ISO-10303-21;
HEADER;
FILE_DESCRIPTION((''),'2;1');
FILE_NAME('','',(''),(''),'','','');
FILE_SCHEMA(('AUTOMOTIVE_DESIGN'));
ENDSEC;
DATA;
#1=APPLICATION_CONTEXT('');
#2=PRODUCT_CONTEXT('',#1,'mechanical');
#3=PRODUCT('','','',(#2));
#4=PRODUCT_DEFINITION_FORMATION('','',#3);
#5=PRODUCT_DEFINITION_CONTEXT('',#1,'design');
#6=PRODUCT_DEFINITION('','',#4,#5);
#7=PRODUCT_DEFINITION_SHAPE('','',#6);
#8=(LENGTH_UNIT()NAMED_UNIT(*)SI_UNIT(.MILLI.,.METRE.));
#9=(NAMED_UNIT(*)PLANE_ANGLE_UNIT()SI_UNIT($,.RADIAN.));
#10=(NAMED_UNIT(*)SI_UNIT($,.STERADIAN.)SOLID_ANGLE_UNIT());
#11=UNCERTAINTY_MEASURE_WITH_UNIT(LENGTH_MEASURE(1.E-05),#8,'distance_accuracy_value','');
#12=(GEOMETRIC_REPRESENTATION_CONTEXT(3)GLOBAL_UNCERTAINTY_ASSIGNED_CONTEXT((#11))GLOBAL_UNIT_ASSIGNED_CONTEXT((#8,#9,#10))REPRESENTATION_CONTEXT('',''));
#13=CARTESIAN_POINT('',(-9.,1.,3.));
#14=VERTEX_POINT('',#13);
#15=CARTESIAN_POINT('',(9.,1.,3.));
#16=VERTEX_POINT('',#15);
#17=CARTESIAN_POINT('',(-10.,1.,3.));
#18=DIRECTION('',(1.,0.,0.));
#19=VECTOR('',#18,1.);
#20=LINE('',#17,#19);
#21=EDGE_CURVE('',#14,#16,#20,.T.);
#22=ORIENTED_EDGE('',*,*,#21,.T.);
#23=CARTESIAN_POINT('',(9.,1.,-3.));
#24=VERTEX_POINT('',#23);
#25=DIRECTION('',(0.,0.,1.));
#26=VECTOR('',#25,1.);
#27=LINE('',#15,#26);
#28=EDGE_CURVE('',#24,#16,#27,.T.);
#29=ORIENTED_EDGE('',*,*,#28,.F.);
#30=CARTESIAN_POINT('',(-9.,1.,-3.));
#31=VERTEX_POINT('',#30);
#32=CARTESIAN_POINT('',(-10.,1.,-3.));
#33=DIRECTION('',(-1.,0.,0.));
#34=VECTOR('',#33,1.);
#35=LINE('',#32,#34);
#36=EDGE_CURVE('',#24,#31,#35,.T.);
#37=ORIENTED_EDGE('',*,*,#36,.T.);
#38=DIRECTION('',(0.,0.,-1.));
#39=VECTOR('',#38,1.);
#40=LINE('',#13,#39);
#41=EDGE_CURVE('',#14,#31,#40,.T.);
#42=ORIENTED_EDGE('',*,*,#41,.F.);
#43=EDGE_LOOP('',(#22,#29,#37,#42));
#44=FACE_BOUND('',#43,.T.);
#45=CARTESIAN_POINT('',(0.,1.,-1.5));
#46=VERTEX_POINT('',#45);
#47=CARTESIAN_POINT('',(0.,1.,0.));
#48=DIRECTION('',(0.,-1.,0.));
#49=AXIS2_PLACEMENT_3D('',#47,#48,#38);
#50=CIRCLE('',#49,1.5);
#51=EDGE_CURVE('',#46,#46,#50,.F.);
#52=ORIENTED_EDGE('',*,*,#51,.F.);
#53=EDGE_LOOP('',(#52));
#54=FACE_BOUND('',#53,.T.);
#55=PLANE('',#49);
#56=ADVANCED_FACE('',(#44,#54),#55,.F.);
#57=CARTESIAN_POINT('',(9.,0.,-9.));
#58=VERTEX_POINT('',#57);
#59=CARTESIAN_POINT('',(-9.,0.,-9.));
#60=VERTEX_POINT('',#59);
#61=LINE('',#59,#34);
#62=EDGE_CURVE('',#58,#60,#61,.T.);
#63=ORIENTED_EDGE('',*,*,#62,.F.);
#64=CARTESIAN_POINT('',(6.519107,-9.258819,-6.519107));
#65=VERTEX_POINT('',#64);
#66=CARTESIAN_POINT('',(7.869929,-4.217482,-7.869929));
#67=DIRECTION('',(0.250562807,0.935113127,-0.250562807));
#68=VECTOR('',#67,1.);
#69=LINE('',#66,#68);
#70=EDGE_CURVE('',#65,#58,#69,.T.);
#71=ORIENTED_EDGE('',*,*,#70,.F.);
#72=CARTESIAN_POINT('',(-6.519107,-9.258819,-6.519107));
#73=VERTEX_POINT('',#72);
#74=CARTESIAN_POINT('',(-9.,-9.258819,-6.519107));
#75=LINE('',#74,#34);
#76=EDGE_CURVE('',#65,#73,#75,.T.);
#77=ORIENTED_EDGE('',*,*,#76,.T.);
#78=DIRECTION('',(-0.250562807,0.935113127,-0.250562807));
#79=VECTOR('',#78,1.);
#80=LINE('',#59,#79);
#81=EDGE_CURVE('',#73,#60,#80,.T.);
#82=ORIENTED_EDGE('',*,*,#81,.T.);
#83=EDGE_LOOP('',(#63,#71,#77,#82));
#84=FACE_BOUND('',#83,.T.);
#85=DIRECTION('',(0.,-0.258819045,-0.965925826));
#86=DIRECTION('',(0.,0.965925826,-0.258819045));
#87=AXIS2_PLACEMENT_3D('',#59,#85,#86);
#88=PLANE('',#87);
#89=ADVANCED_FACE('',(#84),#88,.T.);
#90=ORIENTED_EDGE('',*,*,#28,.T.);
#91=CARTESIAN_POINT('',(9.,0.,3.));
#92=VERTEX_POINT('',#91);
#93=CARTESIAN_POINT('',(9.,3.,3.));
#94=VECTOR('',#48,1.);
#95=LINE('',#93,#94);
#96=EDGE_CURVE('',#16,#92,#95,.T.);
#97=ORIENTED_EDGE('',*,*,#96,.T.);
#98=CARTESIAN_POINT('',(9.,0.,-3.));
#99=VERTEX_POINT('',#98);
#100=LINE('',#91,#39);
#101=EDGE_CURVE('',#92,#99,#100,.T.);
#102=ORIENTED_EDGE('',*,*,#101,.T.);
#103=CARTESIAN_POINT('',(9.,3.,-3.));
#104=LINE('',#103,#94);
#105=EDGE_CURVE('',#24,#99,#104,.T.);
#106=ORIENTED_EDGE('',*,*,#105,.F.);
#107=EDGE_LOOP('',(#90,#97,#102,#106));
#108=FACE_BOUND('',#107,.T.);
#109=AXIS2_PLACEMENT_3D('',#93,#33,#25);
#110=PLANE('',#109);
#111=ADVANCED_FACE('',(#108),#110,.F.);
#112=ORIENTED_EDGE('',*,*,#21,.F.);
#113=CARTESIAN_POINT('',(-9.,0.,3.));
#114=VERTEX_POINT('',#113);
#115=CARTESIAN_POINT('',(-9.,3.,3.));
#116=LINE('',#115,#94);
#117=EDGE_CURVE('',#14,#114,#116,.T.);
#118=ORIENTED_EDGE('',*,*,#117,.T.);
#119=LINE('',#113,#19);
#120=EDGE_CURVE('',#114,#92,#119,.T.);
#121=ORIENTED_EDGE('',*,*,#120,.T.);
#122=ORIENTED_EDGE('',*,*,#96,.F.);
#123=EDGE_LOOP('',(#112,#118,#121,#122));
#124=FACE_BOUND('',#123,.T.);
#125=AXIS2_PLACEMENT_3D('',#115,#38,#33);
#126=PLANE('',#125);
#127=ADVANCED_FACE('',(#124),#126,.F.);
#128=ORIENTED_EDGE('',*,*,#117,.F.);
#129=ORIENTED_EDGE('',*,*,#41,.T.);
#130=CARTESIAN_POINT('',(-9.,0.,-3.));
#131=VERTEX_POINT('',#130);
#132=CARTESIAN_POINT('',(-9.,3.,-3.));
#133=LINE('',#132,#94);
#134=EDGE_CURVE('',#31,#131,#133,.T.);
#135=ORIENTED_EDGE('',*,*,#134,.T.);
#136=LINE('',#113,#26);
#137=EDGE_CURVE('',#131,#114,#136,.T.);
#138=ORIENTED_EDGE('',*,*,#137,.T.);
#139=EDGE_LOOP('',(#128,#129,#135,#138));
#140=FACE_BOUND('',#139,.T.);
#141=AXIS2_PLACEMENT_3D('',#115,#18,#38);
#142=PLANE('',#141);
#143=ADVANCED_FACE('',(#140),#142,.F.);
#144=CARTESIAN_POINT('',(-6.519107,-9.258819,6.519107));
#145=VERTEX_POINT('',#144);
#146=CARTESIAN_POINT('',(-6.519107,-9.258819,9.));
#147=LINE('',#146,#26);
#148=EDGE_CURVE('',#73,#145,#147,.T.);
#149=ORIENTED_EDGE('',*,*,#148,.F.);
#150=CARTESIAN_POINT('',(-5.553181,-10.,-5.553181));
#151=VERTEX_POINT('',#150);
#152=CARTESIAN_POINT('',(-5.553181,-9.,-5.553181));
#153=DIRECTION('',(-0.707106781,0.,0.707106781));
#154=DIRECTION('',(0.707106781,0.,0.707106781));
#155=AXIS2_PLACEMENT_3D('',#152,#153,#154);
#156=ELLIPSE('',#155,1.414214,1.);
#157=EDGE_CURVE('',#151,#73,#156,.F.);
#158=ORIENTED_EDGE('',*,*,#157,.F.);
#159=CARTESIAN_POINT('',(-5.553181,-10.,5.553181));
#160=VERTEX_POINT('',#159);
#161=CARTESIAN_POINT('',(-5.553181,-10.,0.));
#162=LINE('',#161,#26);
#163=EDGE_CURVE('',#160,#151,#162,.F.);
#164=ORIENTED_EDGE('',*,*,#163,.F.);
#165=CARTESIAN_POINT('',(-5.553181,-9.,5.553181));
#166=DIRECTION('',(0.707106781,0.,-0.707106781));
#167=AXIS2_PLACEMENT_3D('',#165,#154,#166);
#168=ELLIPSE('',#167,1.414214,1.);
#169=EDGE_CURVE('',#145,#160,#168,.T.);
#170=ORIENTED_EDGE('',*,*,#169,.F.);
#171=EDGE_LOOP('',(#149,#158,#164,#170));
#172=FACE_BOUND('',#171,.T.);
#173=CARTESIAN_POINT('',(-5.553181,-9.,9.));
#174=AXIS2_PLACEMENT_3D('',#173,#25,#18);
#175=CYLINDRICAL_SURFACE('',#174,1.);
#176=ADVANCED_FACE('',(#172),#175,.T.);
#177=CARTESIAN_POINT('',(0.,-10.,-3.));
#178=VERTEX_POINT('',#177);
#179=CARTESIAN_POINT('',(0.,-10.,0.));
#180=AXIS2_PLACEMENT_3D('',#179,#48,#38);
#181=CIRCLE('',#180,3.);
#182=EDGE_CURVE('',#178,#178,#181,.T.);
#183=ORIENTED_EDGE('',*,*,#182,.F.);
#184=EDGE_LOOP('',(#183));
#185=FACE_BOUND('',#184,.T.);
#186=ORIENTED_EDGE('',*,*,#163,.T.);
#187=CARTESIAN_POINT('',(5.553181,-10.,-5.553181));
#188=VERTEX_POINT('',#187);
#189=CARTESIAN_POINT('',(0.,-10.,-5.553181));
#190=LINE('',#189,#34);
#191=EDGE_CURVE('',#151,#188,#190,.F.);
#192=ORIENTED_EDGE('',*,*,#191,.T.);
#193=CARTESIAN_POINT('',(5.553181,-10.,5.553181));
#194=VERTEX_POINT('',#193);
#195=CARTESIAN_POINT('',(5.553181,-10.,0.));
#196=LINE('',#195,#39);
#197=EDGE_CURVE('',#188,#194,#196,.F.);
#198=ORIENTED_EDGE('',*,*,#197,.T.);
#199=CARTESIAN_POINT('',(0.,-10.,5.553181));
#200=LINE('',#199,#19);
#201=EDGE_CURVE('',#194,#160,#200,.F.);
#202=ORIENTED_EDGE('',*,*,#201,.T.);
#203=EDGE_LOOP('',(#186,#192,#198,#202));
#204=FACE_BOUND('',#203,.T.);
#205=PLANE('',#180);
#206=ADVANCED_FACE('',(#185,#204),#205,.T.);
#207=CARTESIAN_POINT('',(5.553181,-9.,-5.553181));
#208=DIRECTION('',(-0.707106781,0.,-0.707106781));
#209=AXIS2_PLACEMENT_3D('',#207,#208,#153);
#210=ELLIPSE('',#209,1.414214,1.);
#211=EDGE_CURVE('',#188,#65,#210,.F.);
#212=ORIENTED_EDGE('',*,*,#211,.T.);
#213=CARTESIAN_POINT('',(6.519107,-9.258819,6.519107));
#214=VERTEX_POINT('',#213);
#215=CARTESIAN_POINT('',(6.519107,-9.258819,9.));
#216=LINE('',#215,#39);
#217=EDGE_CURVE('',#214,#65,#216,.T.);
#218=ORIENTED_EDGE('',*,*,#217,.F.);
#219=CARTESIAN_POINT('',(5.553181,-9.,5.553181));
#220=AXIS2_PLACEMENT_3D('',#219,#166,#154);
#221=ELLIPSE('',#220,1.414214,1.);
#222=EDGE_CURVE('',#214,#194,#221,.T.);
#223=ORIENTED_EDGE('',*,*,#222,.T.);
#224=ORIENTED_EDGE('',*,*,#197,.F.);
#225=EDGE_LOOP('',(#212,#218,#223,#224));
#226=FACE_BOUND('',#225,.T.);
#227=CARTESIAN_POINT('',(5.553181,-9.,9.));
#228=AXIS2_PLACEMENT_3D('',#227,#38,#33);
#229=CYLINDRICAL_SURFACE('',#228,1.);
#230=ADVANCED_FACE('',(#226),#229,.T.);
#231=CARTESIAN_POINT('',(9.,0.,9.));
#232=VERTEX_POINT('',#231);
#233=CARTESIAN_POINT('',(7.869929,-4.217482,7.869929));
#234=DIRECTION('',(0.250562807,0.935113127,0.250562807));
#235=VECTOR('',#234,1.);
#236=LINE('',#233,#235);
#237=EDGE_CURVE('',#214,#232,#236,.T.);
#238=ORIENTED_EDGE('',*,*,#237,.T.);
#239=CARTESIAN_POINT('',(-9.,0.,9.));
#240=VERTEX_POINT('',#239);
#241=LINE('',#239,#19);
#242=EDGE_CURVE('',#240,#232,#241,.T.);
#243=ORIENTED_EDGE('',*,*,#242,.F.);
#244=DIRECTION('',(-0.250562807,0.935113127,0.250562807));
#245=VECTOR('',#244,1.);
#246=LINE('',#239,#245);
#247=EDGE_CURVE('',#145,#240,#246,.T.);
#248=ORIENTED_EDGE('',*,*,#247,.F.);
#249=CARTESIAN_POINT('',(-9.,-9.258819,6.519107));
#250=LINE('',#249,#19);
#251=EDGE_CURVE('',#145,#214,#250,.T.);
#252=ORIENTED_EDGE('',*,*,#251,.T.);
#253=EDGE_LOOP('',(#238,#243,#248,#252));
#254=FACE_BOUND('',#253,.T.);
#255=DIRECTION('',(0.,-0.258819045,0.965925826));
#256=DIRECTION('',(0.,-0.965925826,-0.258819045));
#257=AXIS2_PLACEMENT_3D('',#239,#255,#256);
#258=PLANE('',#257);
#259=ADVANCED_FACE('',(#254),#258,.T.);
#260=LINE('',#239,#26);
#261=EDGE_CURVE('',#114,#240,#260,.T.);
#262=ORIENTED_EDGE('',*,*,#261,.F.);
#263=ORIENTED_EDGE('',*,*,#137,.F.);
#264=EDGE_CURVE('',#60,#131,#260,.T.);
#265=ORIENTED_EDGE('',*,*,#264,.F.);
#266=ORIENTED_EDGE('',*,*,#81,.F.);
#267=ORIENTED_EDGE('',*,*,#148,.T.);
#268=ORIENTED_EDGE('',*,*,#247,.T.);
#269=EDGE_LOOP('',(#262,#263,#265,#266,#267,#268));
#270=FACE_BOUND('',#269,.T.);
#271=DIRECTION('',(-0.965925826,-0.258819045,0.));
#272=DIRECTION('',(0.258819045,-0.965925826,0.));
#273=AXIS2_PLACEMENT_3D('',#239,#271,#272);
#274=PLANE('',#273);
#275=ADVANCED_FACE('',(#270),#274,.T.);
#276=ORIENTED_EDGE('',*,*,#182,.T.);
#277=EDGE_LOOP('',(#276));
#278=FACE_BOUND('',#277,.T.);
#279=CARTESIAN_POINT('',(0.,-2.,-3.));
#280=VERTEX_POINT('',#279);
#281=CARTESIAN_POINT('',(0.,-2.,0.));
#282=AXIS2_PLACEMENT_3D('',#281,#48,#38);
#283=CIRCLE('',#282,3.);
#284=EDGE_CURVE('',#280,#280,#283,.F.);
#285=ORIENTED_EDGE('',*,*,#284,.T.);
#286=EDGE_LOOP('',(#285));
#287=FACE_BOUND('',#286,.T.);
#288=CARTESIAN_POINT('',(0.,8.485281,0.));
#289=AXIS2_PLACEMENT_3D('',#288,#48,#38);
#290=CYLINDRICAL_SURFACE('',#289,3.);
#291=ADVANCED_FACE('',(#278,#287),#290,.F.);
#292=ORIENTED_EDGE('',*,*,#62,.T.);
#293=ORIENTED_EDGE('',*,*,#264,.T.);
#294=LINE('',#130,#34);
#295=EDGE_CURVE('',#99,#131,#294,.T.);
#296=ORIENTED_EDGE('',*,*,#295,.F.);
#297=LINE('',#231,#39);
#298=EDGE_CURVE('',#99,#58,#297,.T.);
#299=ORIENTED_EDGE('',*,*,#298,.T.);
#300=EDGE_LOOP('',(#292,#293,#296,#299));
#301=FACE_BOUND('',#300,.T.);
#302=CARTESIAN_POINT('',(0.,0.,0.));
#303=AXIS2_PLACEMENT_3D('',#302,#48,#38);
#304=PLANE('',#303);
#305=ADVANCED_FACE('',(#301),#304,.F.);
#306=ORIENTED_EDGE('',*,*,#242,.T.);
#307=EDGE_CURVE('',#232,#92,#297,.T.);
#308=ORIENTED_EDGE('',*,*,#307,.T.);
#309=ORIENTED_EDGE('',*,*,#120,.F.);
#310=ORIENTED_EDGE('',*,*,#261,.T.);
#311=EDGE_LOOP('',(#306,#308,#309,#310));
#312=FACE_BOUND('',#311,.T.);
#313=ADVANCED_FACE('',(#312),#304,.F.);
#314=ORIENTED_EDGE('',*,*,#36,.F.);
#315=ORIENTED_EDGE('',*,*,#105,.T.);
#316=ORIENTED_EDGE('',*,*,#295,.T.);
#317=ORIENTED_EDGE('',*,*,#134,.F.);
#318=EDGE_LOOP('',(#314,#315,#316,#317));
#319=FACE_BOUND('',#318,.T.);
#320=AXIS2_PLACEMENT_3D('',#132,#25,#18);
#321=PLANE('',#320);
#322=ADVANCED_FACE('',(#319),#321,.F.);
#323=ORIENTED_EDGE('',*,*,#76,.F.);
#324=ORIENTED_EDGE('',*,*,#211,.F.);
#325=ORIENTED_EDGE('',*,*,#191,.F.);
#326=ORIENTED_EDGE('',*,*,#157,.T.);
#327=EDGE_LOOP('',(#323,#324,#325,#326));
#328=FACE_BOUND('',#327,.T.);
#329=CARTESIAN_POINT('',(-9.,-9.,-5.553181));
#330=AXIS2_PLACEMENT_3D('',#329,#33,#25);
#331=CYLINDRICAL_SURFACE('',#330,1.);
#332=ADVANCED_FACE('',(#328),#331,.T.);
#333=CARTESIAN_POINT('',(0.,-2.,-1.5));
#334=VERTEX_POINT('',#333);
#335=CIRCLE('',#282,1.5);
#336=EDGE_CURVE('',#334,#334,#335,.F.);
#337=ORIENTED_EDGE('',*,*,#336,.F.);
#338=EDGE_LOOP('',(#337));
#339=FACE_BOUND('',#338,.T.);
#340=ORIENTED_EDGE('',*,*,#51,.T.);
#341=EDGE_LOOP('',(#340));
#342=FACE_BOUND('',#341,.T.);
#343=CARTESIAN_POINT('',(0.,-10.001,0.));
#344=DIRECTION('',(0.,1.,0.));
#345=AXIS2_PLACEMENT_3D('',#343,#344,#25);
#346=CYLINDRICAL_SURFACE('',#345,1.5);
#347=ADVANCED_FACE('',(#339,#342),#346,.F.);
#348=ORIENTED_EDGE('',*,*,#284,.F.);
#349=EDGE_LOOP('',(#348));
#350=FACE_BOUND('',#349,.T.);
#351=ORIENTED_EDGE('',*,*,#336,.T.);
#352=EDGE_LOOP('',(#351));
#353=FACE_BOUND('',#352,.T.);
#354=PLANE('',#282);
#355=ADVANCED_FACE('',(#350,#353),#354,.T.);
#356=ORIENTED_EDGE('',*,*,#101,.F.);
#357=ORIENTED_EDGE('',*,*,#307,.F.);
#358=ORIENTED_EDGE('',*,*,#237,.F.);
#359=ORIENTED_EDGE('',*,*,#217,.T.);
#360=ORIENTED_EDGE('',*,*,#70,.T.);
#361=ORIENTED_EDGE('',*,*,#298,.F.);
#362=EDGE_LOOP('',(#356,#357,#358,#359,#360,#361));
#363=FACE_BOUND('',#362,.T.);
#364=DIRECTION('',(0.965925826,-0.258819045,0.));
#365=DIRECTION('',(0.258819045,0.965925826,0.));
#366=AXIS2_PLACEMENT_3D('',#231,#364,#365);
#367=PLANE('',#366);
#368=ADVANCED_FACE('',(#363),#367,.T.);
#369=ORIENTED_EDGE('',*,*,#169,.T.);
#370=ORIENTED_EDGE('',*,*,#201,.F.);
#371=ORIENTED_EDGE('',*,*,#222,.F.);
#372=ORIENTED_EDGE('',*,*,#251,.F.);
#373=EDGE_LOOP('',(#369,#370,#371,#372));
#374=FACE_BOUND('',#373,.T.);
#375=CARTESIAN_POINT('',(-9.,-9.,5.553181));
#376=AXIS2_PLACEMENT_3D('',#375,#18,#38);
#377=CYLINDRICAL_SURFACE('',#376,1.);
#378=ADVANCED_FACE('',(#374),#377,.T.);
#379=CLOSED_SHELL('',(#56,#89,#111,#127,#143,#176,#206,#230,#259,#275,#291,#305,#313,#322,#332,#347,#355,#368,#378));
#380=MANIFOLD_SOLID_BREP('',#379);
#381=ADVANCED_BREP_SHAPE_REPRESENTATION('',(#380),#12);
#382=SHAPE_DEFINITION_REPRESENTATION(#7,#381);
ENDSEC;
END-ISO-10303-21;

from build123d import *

# Parameters (mm, degrees)
SKETCH1_W           = 18
SKETCH1_H           = 18
BOSS_EXTRUDE1_DEPTH = 10
BOSS_EXTRUDE1_TAPER = 15
SKETCH5_W           = 18
SKETCH5_H           = 6
BOSS_EXTRUDE3_DEPTH = 3
FILLET2_R           = 1
CUT_EXTRUDE3_REACH  = 15
SKETCH6_R           = 1.5
SKETCH7_R           = 3
CUT_EXTRUDE4_DEPTH  = 8
SKETCH9_W           = 20
SKETCH9_H           = 6
CUT_EXTRUDE5_DEPTH  = 2
FILLET4_R           = 1


with BuildPart() as part:
    # Sketch1 → Boss-Extrude1 (new body)
    with BuildSketch(Plane(origin=(0, 0, 0), x_dir=(1, 0, 0), z_dir=(0, 1, 0))):
        Rectangle(SKETCH1_W, SKETCH1_H)
    extrude(amount=-BOSS_EXTRUDE1_DEPTH, taper=BOSS_EXTRUDE1_TAPER)

    # Sketch5 → Boss-Extrude3 (add)
    with BuildSketch(Plane(origin=(0, 0, 0), x_dir=(1, 0, 0), z_dir=(0, 1, 0))):
        Rectangle(SKETCH5_W, SKETCH5_H)
    extrude(amount=BOSS_EXTRUDE3_DEPTH)

    # Fillet2
    fillet2_edges = [part.edges().sort_by_distance(p)[0] for p in [
        (0, 3, 3),
        (0, 3, -3),
    ]]
    fillet(fillet2_edges, radius=FILLET2_R)

    # Sketch6 → Cut-Extrude3 (cut, up to next)
    with BuildSketch(Plane(origin=(0, 3, 0), x_dir=(1, 0, 0), z_dir=(0, 1, 0)), mode=Mode.PRIVATE) as cut_extrude3_sk1:
        Circle(SKETCH6_R)
    cut_extrude3_tool1 = extrude(cut_extrude3_sk1.sketch, amount=-CUT_EXTRUDE3_REACH, mode=Mode.PRIVATE) & part.part
    add(cut_extrude3_tool1.solids().sort_by_distance((0, 3, 0))[0], mode=Mode.SUBTRACT)

    # Sketch7 → Cut-Extrude4 (cut)
    with BuildSketch(Plane.XZ.offset(10)):
        Circle(SKETCH7_R)
    extrude(amount=-CUT_EXTRUDE4_DEPTH, mode=Mode.SUBTRACT)

    # Sketch9 → Cut-Extrude5 (cut)
    with BuildSketch(Plane(origin=(0, 3, 0), x_dir=(1, 0, 0), z_dir=(0, 1, 0))):
        Rectangle(SKETCH9_W, SKETCH9_H)
    extrude(amount=-CUT_EXTRUDE5_DEPTH, mode=Mode.SUBTRACT)

    # Fillet4
    fillet4_edges = [part.edges().sort_by_distance(p)[0] for p in [
        (-6.320508076, -10, 0),
        (0, -10, 6.320508076),
        (6.320508076, -10, 0),
        (0, -10, -6.320508076),
    ]]
    fillet(fillet4_edges, radius=FILLET4_R)


solid = part.part
